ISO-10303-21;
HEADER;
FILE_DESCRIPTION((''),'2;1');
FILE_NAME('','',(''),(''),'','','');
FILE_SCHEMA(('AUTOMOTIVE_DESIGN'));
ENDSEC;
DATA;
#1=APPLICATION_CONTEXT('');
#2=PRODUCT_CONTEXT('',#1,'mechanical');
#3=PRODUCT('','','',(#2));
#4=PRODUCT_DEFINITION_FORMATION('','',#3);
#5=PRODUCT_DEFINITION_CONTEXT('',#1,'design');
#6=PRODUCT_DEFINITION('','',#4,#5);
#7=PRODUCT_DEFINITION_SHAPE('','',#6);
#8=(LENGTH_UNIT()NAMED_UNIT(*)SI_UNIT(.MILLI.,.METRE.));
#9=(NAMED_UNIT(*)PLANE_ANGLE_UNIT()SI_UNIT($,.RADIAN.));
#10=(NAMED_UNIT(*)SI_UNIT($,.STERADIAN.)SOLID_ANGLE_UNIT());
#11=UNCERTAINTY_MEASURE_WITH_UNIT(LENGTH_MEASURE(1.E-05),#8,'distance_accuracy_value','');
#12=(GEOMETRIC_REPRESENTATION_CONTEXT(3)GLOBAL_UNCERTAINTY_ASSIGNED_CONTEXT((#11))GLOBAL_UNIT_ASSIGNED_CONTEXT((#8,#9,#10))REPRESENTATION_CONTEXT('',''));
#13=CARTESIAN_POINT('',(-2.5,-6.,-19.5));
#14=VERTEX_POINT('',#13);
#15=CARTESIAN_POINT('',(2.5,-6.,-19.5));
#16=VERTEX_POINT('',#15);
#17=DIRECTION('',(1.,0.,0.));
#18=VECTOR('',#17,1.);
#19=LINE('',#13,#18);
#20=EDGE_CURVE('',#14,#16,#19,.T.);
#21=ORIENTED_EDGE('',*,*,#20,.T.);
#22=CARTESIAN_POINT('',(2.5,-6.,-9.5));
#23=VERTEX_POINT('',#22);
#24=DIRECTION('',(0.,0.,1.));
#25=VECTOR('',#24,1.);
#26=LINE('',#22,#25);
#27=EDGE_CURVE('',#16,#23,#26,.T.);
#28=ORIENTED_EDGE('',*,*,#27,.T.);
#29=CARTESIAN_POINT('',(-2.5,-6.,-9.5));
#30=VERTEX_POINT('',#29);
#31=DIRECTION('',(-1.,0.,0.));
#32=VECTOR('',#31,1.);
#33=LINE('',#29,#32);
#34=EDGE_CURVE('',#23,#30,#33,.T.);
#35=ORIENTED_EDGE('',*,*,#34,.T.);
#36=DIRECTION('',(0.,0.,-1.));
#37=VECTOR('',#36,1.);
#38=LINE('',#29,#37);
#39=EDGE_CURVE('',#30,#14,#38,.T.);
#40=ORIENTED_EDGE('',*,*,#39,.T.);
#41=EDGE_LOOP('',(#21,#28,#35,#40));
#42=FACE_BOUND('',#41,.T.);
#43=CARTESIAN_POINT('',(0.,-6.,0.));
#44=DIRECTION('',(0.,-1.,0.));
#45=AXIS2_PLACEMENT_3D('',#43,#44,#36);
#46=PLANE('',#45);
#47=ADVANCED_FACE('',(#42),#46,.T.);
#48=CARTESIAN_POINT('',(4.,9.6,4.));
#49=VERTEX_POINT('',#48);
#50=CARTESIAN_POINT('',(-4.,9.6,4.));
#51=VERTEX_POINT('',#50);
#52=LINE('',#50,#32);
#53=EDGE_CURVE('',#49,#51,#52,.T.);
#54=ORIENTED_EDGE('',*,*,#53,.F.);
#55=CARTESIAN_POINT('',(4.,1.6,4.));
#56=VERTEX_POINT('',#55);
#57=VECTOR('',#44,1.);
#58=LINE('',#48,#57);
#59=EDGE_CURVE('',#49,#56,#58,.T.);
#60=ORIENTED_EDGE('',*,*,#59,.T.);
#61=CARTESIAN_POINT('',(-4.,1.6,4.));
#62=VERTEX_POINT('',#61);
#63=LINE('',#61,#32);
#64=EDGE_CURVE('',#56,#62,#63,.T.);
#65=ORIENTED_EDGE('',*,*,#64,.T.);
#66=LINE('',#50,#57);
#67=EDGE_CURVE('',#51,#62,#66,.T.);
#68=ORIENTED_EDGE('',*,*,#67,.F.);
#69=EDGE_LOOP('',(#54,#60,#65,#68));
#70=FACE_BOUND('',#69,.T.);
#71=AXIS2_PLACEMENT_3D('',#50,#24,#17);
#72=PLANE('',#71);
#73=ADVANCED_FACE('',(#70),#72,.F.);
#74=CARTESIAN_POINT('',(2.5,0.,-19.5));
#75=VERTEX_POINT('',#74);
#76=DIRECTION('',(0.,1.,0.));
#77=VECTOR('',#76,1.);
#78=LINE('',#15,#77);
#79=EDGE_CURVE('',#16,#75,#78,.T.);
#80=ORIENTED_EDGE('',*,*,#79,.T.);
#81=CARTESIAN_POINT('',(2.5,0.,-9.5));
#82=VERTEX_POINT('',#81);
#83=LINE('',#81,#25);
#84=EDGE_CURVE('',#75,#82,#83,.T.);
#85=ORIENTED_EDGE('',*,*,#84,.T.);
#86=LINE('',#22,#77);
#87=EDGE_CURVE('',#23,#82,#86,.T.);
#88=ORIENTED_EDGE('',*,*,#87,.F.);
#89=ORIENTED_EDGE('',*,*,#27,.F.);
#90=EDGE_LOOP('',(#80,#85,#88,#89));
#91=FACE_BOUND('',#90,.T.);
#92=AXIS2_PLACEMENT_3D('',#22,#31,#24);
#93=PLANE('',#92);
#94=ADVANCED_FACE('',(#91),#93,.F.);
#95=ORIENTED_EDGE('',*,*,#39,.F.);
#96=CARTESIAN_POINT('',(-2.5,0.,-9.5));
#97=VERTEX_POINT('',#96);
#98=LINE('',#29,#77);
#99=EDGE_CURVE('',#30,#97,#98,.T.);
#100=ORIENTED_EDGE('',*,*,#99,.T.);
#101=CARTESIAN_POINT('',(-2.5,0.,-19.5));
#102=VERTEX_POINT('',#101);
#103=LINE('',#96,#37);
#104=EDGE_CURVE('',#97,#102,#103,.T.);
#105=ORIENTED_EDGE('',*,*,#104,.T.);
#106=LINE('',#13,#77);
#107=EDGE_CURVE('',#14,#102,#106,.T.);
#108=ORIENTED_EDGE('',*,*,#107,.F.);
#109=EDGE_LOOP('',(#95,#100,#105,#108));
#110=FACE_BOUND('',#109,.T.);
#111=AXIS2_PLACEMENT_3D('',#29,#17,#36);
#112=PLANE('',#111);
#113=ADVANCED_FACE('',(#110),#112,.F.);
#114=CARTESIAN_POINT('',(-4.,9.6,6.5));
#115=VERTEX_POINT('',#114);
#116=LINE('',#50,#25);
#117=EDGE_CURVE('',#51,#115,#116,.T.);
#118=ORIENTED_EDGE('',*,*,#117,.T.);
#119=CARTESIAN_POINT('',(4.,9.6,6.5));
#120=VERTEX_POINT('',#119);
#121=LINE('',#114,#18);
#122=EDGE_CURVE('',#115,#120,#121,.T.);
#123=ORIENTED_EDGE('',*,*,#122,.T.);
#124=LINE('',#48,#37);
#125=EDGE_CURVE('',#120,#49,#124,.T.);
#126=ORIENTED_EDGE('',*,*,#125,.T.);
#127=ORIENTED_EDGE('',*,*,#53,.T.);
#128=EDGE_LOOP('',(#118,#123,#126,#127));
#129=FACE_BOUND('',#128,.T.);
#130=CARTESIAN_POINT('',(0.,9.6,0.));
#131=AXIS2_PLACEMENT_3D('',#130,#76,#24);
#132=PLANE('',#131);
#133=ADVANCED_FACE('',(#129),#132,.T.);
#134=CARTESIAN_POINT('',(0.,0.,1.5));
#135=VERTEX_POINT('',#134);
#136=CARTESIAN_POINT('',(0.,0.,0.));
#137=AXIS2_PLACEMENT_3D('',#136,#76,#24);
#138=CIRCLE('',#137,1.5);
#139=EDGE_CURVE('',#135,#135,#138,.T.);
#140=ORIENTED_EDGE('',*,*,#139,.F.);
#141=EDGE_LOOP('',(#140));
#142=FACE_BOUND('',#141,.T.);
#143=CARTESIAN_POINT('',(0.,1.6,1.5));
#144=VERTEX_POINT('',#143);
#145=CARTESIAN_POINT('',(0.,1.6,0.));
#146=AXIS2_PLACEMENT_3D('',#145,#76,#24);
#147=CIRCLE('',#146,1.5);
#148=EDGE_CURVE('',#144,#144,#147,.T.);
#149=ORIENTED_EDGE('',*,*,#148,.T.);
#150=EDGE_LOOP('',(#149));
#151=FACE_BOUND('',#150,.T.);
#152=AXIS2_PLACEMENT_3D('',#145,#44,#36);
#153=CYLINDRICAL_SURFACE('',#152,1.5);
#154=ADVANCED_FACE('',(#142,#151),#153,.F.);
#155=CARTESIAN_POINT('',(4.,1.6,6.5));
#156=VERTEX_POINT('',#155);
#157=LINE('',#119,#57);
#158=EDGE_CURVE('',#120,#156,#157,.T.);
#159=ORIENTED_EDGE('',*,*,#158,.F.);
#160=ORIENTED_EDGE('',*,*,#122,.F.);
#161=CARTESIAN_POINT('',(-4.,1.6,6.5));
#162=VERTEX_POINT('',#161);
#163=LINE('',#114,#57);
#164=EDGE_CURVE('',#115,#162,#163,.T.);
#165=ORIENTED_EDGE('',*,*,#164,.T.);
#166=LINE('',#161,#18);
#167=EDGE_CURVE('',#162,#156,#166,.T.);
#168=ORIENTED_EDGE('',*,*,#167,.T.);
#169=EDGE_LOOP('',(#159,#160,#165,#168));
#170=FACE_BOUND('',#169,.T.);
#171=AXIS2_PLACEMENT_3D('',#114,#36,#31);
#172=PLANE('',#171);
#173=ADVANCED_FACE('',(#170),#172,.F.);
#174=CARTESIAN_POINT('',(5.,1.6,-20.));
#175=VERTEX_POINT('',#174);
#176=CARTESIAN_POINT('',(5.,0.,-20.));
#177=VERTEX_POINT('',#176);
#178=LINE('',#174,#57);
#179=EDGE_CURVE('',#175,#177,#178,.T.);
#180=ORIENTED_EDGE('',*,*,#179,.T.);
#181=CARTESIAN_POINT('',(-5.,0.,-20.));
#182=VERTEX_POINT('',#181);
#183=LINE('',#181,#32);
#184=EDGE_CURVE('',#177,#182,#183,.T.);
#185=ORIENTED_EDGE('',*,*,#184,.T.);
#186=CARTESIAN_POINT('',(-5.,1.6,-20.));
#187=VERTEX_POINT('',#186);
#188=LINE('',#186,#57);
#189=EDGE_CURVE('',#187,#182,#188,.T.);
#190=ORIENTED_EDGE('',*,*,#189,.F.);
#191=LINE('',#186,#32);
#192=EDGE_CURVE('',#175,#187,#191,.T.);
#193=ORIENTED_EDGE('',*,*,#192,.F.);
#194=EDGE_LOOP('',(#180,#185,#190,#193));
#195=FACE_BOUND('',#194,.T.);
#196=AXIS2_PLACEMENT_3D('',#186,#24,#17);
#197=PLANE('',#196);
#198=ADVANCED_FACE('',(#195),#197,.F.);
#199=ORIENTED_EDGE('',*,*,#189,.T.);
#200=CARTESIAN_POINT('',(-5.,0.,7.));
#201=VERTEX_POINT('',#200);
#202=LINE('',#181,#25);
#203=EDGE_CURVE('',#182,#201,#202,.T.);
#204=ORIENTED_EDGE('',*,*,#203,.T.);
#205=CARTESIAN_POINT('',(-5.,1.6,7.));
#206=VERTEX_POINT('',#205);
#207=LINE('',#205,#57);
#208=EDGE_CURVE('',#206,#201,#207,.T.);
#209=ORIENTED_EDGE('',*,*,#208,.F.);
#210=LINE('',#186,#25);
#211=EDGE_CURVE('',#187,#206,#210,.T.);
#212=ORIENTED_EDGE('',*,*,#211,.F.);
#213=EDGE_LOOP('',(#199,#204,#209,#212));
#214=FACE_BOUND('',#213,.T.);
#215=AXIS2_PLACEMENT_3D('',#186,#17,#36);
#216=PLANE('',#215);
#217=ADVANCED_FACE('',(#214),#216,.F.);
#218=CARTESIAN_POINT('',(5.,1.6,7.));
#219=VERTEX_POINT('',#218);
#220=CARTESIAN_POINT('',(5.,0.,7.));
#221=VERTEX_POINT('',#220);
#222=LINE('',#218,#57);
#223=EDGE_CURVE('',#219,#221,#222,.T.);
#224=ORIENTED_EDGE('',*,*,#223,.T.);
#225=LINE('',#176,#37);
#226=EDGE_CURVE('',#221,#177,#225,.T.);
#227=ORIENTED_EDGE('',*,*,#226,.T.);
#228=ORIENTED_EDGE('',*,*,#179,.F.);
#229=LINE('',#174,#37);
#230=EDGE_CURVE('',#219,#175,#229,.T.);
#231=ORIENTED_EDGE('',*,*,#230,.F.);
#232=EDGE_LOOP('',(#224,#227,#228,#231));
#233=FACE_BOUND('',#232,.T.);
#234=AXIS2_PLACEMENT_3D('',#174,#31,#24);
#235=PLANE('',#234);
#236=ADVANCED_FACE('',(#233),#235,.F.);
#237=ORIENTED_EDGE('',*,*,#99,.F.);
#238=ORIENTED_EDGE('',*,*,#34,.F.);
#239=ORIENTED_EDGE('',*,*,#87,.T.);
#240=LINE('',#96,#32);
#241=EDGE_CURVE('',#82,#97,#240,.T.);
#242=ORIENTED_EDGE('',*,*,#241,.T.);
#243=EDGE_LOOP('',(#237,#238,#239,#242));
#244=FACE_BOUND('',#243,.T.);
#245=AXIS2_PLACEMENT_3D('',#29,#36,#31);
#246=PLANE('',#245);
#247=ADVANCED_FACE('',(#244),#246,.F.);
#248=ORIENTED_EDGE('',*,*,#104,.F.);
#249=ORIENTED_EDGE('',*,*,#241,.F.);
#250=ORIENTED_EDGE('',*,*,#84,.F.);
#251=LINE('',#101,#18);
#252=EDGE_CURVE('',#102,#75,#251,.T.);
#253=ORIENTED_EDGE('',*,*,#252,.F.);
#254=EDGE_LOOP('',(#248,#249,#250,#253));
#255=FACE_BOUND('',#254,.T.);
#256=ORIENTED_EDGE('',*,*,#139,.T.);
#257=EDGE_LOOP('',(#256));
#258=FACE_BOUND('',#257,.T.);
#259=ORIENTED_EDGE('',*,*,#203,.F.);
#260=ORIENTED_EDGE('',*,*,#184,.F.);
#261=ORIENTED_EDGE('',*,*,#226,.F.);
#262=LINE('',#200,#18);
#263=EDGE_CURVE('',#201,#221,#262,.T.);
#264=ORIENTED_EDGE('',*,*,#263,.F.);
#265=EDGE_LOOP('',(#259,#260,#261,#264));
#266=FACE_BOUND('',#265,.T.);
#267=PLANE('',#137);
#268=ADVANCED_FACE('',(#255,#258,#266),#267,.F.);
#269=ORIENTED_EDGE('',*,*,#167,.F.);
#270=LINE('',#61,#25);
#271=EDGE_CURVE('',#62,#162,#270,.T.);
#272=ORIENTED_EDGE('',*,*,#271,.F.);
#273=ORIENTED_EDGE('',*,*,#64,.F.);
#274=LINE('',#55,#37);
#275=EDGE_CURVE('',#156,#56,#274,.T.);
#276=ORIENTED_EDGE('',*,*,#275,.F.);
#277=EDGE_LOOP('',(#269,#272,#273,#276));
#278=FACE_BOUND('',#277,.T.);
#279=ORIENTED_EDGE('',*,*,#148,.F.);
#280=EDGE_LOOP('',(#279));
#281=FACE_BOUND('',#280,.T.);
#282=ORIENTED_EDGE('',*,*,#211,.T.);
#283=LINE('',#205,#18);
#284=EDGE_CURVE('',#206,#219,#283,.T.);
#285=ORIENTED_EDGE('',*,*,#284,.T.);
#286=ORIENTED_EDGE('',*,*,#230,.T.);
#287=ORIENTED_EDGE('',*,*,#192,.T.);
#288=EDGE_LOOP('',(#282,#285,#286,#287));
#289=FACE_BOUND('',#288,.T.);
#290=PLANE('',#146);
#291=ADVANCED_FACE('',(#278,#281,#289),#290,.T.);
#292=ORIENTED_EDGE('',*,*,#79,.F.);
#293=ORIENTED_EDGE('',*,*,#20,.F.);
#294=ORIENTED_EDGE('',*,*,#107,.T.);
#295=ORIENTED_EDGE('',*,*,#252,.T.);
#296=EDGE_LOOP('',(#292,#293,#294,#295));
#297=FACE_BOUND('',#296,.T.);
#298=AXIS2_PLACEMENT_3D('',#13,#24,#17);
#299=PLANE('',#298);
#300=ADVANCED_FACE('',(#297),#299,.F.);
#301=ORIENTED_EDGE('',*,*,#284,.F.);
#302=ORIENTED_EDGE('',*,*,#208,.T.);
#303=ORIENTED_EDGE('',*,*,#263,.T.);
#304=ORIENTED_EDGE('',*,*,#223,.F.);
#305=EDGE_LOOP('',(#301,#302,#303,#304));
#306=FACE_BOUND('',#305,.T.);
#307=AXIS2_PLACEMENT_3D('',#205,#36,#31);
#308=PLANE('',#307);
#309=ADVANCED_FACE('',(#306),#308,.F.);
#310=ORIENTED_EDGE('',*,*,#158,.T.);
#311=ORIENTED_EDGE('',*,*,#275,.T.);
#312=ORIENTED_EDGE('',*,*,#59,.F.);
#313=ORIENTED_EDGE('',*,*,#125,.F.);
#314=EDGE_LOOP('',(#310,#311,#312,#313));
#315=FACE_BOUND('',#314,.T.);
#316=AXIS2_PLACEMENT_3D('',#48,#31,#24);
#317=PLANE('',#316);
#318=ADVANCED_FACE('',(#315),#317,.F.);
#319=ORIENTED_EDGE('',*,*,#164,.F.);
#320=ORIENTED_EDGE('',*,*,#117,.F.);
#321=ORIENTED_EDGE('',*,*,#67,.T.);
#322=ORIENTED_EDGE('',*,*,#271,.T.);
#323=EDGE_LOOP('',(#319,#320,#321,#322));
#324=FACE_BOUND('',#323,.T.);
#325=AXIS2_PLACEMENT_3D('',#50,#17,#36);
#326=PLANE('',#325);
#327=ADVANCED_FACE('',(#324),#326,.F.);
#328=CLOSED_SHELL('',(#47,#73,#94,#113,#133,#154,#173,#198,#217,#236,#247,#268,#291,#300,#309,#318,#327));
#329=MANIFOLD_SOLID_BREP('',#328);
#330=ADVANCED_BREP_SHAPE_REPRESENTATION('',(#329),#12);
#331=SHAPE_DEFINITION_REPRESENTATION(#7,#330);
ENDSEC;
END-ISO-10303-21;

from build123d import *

# Parameters (mm, degrees)
SKETCH_1_W      = 10
SKETCH_1_H      = 27
SKETCH_1_R      = 1.5
EXTRUDE_1_DEPTH = 1.6
SKETCH_2_W      = 8
SKETCH_2_H      = 2.5
EXTRUDE_2_DEPTH = 8
SKETCH_3_W      = 5
SKETCH_3_H      = 10
EXTRUDE_3_DEPTH = 6


with BuildPart() as part:
    # 草图1 → 凸台-拉伸1 (new body)
    with BuildSketch(Plane(origin=(0, 0, 0), x_dir=(1, 0, 0), z_dir=(0, 1, 0))):
        with Locations((0, 6.5)):
            Rectangle(SKETCH_1_W, SKETCH_1_H)
        with Locations(Location((0, 0, 0), (0, 0, 270))):
            Circle(SKETCH_1_R, mode=Mode.SUBTRACT)
    extrude(amount=EXTRUDE_1_DEPTH)

    # 草图2 → 凸台-拉伸2 (add)
    with BuildSketch(Plane(origin=(0, 1.6, 0), x_dir=(1, 0, 0), z_dir=(0, 1, 0))):
        with Locations((0, -5.25)):
            Rectangle(SKETCH_2_W, SKETCH_2_H)
    extrude(amount=EXTRUDE_2_DEPTH)

    # 草图3 → 凸台-拉伸3 (add)
    with BuildSketch(Plane.XZ):
        with Locations((0, -14.5)):
            Rectangle(SKETCH_3_W, SKETCH_3_H)
    extrude(amount=EXTRUDE_3_DEPTH)


solid = part.part
